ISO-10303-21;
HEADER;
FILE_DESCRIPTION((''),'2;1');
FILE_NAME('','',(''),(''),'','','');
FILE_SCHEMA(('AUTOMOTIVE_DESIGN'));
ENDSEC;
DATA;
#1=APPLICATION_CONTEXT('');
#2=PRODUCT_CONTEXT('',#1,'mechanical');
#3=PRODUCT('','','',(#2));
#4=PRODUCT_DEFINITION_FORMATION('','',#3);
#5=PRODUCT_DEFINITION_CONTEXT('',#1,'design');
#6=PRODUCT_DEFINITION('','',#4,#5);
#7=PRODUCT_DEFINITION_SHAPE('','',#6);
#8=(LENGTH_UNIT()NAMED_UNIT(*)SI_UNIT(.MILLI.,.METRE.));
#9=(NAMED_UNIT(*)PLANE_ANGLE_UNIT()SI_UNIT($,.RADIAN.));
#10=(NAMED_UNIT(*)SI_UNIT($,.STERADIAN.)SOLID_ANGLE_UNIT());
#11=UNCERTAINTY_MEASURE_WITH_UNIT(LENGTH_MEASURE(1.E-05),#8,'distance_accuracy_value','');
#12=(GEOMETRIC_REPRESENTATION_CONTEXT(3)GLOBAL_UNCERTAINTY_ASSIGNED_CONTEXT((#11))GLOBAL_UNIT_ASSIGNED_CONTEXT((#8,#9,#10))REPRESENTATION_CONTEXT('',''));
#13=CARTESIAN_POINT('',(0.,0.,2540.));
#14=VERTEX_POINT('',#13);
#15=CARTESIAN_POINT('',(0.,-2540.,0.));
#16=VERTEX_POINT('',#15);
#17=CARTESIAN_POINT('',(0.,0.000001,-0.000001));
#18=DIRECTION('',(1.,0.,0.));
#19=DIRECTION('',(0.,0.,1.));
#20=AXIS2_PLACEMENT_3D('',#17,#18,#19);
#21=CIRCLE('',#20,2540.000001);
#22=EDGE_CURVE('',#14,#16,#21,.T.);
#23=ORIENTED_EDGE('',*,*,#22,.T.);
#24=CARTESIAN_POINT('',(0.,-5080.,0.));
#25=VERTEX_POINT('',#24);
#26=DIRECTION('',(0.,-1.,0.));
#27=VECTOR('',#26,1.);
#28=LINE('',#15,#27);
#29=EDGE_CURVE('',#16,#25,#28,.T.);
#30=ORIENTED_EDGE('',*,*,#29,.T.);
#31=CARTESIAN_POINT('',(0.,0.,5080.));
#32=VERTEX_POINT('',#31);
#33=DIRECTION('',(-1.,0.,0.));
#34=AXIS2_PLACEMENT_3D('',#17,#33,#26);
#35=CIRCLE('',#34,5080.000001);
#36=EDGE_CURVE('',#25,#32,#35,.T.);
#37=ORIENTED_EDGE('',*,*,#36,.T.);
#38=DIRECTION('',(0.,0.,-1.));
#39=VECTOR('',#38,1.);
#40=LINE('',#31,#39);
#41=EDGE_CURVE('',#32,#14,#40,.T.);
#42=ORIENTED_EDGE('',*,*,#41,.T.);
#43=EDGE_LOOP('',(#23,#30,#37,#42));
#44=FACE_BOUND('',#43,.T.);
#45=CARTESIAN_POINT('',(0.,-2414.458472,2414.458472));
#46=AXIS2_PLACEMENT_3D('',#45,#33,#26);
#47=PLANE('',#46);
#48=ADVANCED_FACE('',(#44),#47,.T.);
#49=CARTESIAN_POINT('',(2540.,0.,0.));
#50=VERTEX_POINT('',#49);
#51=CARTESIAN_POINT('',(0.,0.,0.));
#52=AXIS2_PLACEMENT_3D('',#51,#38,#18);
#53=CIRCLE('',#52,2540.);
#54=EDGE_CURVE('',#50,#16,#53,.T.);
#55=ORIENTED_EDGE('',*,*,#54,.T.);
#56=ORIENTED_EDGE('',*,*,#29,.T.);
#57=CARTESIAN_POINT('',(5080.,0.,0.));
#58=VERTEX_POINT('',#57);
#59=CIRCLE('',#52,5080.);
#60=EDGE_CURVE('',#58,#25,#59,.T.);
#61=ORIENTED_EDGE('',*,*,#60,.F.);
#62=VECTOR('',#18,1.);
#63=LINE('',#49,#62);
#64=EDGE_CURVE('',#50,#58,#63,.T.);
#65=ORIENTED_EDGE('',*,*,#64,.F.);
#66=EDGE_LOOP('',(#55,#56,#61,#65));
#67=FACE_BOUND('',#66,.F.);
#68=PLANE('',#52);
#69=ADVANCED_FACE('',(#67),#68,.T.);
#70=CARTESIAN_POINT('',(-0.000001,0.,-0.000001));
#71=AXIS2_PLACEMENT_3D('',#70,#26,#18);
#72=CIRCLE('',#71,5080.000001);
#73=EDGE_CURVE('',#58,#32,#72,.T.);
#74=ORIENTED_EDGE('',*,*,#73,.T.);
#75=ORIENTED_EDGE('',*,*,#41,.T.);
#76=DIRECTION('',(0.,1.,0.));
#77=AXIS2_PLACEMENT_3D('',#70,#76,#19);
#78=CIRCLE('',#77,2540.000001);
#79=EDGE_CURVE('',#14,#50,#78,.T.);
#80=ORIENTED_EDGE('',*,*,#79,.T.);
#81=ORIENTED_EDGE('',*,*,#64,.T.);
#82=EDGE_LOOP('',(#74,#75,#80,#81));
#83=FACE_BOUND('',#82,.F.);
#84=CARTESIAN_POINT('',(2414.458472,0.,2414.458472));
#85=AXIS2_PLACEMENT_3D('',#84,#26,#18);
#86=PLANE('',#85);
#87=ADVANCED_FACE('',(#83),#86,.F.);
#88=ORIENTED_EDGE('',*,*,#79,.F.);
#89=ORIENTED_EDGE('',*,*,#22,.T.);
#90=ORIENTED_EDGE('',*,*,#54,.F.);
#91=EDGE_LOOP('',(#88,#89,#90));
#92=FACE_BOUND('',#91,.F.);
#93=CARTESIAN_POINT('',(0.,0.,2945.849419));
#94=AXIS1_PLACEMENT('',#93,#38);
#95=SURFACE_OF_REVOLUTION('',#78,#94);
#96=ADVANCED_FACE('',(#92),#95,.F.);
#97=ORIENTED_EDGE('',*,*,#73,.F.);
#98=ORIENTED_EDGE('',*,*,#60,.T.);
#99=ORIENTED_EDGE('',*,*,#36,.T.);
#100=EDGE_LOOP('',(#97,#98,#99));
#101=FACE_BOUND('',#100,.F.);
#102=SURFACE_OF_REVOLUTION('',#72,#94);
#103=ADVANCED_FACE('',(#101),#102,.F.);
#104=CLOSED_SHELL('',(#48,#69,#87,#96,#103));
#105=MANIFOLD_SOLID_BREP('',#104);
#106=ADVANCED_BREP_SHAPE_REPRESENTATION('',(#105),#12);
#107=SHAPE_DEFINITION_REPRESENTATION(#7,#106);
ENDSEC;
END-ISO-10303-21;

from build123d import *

# Parameters (mm, degrees)
F2_ANGLE = 90


with BuildPart() as f2:
    # F0 (on Front) → F2 (revolve)
    with BuildSketch(Plane.XZ):
        with BuildLine():
            Line((0, 5080), (0, 2540))
            ThreePointArc((0, 2540), (1796.051224, 1796.051224), (2540, 0))
            Line((2540, 0), (5080, 0))
            ThreePointArc((5080, 0), (3592.102448, 3592.102448), (0, 5080))
        make_face()
    revolve(axis=Axis((0, 0, 2945.849419), (0, 0, -1)), revolution_arc=F2_ANGLE)


solid = f2.part
